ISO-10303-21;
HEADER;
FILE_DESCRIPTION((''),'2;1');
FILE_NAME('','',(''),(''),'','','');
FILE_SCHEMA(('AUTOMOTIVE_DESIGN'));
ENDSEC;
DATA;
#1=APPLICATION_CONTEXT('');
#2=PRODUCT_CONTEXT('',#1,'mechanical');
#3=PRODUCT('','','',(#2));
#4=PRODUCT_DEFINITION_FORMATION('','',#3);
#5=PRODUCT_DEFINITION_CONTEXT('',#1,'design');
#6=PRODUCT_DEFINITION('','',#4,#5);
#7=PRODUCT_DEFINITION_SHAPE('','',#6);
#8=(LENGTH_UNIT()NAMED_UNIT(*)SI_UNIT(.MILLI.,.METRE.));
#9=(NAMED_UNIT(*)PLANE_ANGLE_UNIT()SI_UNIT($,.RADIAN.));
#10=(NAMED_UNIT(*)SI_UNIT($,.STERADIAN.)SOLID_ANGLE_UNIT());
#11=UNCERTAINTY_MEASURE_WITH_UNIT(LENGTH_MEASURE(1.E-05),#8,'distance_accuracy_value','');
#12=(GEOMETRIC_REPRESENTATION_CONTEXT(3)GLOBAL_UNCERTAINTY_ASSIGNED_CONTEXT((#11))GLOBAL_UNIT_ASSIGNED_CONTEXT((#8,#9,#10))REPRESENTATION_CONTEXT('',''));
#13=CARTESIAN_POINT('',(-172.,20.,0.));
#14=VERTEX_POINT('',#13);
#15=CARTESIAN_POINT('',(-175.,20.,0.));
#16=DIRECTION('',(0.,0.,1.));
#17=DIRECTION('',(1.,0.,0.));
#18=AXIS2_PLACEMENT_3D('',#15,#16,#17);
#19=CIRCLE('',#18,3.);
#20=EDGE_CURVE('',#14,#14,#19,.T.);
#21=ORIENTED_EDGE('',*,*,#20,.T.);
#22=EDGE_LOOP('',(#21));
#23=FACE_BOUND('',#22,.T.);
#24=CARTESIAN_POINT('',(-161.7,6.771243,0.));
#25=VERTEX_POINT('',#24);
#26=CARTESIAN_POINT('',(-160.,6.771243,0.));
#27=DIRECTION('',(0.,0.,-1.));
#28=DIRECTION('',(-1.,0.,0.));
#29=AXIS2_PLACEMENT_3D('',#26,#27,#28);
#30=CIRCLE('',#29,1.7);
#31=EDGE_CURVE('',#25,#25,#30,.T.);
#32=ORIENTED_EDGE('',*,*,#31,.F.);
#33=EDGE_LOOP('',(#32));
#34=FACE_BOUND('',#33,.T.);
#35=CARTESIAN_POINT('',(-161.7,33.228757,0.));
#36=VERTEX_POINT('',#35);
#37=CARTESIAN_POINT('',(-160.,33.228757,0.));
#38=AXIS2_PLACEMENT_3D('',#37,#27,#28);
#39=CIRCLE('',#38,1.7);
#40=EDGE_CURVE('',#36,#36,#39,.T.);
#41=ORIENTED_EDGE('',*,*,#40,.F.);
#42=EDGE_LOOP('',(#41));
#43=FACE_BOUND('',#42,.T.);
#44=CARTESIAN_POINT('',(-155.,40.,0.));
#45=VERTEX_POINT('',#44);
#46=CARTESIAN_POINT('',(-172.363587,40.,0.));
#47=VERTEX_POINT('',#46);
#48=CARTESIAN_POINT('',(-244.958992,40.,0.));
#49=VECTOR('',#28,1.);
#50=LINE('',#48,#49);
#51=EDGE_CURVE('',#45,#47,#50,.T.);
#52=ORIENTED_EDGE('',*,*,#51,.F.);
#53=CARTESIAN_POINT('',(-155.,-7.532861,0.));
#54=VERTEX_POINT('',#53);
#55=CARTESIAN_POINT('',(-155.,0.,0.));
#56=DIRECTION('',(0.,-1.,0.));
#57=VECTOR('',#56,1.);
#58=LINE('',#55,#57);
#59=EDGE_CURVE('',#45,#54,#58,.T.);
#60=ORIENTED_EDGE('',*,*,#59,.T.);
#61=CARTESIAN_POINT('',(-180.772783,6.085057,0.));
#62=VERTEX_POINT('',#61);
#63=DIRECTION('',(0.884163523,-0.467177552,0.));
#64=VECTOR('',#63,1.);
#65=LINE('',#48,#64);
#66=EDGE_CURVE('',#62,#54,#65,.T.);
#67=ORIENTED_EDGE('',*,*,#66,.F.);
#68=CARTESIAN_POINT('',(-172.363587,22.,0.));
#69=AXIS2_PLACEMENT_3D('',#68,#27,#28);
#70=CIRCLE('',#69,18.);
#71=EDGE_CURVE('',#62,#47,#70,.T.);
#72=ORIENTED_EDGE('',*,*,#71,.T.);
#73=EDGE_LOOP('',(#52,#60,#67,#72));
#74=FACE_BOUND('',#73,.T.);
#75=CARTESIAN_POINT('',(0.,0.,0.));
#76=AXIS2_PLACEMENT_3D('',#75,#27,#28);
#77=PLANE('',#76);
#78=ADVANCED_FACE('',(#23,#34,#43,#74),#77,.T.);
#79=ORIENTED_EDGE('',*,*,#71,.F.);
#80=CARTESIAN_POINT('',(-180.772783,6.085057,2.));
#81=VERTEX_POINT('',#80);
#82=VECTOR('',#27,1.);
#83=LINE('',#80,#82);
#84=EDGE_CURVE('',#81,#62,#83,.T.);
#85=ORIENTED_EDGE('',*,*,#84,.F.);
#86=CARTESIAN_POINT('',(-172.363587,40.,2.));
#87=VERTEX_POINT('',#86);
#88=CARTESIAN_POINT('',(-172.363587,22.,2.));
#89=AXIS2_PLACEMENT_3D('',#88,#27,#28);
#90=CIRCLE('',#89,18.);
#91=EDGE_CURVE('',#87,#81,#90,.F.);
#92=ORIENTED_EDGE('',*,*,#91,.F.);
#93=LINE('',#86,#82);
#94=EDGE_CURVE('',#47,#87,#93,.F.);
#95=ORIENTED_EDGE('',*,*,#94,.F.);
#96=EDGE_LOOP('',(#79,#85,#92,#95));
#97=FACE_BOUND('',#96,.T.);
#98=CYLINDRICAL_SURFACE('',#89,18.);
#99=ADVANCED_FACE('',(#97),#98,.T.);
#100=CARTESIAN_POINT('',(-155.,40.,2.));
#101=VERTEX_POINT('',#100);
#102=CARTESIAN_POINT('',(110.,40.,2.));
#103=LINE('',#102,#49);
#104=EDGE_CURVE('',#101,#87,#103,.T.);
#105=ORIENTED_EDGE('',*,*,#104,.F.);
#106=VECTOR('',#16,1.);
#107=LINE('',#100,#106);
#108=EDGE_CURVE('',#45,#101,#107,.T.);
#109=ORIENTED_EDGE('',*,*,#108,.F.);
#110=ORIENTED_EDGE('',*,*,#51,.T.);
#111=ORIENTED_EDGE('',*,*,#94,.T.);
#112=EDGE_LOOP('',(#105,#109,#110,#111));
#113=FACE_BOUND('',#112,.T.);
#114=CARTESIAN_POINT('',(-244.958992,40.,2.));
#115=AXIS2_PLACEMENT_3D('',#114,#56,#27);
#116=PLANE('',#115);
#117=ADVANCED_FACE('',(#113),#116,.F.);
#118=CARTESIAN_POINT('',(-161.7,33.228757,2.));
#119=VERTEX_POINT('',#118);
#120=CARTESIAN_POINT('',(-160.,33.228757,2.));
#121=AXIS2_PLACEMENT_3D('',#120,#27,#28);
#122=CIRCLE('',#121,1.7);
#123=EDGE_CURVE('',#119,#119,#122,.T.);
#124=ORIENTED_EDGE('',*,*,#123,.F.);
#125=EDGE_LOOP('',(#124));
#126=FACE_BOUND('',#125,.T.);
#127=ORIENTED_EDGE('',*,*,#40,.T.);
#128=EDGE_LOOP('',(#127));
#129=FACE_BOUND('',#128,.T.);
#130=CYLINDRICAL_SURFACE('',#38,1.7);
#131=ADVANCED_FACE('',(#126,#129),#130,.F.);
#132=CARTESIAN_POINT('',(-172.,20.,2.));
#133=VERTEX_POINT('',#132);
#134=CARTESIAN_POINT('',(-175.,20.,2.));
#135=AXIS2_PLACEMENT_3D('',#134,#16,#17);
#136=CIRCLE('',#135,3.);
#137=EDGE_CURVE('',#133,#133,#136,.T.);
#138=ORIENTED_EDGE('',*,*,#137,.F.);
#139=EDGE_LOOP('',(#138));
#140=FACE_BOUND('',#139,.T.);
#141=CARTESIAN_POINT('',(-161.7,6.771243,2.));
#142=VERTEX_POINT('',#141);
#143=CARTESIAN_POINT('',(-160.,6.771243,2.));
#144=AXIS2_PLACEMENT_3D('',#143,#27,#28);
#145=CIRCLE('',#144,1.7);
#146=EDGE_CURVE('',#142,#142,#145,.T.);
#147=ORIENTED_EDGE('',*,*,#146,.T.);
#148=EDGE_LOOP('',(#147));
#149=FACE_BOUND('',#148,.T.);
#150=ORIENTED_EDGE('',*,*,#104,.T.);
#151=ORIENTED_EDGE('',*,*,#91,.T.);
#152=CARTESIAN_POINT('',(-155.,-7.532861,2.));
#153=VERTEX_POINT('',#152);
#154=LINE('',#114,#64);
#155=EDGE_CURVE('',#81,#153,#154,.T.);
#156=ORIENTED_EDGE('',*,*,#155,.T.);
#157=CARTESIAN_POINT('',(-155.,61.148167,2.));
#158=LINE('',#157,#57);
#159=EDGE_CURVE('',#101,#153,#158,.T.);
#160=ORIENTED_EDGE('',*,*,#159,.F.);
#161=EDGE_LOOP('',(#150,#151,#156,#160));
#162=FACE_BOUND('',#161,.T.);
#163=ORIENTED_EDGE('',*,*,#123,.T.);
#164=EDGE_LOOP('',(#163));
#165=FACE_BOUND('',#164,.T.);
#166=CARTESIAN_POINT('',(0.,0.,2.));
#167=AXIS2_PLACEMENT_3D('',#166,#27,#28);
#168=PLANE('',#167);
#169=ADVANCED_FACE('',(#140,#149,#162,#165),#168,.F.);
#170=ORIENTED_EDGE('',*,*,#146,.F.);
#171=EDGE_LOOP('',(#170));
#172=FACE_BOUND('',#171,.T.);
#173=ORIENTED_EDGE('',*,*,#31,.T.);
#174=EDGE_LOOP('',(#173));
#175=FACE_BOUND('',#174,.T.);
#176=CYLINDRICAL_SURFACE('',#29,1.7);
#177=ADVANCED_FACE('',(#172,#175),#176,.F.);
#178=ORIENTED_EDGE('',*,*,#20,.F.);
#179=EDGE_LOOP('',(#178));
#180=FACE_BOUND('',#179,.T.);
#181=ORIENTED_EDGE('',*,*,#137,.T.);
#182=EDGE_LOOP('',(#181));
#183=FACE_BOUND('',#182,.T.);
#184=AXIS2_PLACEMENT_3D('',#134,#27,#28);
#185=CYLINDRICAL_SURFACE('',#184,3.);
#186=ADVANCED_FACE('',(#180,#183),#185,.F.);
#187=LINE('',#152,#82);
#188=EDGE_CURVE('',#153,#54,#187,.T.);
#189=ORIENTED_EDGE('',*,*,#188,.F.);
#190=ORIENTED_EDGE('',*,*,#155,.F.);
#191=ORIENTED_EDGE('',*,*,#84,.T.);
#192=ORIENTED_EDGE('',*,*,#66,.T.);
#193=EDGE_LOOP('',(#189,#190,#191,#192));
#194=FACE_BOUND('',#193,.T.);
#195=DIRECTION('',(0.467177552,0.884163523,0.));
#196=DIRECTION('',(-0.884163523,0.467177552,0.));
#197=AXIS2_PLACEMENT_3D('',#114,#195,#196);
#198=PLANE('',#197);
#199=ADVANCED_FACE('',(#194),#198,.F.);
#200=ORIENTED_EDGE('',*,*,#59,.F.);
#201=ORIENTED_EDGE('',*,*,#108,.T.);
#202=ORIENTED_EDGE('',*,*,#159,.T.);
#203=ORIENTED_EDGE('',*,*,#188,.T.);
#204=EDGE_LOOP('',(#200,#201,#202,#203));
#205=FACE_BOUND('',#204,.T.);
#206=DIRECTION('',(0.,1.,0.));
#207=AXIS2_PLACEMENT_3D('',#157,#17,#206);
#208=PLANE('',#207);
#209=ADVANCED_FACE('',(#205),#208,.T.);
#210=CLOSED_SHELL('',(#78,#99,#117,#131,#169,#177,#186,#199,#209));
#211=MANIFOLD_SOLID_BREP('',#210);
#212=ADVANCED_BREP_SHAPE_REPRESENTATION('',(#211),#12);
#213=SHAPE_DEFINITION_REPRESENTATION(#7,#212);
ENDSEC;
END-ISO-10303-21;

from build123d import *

# Parameters (mm, degrees)
ESQUISSE1_R                  = 3
BOSS_EXTRU_1_DEPTH           = 2
CONG_1_R                     = 18
CONG_2_R                     = 20
ENL_V_MAT_EXTRU_2_DEPTH      = 195.530962239
ENL_V_MAT_EXTRU_2_DEPTH_BACK = 10
ESQUISSE2_W                  = 356.718168982
ESQUISSE2_H                  = 96.805953854
D_GAGEMENT_M31_D             = 3.4


with BuildPart() as part:
    # Esquisse1 → Boss.-Extru.1 (new body)
    with BuildSketch(Plane.XY):
        Polygon((-244.958991582, 40), (-110, 40), (110, 40), (244.958991582, 40), (112.479495791, -30), (-112.479495791, -30), align=None)
        with Locations((-175, 20)):
            Circle(ESQUISSE1_R, mode=Mode.SUBTRACT)
        with Locations((-110, -20)):
            Circle(ESQUISSE1_R, mode=Mode.SUBTRACT)
        with Locations((110, -20)):
            Circle(ESQUISSE1_R, mode=Mode.SUBTRACT)
        with Locations((175, 20)):
            Circle(ESQUISSE1_R, mode=Mode.SUBTRACT)
        with Locations((0, -20)):
            Circle(ESQUISSE1_R, mode=Mode.SUBTRACT)
        with Locations((-58.333333333, 20)):
            Circle(ESQUISSE1_R, mode=Mode.SUBTRACT)
        with Locations((58.333333333, 20)):
            Circle(ESQUISSE1_R, mode=Mode.SUBTRACT)
    extrude(amount=BOSS_EXTRU_1_DEPTH)

    # Congé1
    cong_1_edges = [part.edges().sort_by_distance(p)[0] for p in [
        (-244.958991582, 40, 1),
        (244.958991582, 40, 1),
    ]]
    fillet(cong_1_edges, radius=CONG_1_R)

    # Congé2
    cong_2_edges = [part.edges().sort_by_distance(p)[0] for p in [
        (112.479495791, -30, 1),
        (-112.479495791, -30, 1),
    ]]
    fillet(cong_2_edges, radius=CONG_2_R)

    # Esquisse2 → Enlèv. mat.-Extru.2 (cut, two sides: drawn at the far end of the back side and taken through both)
    with BuildSketch(Plane.XY.offset(-ENL_V_MAT_EXTRU_2_DEPTH_BACK)):
        with Locations((23.359084491, 12.745190259)):
            Rectangle(ESQUISSE2_W, ESQUISSE2_H)
    extrude(amount=ENL_V_MAT_EXTRU_2_DEPTH + ENL_V_MAT_EXTRU_2_DEPTH_BACK, mode=Mode.SUBTRACT)

    # Dégagement M31 (through all)
    with Locations(Plane(origin=(0, 0, 0), x_dir=(-1, 0, 0), z_dir=(0, 0, -1))):
        with Locations((160, 33.228756555), (160, 6.771243445)):
            Hole(D_GAGEMENT_M31_D / 2)


solid = part.part
